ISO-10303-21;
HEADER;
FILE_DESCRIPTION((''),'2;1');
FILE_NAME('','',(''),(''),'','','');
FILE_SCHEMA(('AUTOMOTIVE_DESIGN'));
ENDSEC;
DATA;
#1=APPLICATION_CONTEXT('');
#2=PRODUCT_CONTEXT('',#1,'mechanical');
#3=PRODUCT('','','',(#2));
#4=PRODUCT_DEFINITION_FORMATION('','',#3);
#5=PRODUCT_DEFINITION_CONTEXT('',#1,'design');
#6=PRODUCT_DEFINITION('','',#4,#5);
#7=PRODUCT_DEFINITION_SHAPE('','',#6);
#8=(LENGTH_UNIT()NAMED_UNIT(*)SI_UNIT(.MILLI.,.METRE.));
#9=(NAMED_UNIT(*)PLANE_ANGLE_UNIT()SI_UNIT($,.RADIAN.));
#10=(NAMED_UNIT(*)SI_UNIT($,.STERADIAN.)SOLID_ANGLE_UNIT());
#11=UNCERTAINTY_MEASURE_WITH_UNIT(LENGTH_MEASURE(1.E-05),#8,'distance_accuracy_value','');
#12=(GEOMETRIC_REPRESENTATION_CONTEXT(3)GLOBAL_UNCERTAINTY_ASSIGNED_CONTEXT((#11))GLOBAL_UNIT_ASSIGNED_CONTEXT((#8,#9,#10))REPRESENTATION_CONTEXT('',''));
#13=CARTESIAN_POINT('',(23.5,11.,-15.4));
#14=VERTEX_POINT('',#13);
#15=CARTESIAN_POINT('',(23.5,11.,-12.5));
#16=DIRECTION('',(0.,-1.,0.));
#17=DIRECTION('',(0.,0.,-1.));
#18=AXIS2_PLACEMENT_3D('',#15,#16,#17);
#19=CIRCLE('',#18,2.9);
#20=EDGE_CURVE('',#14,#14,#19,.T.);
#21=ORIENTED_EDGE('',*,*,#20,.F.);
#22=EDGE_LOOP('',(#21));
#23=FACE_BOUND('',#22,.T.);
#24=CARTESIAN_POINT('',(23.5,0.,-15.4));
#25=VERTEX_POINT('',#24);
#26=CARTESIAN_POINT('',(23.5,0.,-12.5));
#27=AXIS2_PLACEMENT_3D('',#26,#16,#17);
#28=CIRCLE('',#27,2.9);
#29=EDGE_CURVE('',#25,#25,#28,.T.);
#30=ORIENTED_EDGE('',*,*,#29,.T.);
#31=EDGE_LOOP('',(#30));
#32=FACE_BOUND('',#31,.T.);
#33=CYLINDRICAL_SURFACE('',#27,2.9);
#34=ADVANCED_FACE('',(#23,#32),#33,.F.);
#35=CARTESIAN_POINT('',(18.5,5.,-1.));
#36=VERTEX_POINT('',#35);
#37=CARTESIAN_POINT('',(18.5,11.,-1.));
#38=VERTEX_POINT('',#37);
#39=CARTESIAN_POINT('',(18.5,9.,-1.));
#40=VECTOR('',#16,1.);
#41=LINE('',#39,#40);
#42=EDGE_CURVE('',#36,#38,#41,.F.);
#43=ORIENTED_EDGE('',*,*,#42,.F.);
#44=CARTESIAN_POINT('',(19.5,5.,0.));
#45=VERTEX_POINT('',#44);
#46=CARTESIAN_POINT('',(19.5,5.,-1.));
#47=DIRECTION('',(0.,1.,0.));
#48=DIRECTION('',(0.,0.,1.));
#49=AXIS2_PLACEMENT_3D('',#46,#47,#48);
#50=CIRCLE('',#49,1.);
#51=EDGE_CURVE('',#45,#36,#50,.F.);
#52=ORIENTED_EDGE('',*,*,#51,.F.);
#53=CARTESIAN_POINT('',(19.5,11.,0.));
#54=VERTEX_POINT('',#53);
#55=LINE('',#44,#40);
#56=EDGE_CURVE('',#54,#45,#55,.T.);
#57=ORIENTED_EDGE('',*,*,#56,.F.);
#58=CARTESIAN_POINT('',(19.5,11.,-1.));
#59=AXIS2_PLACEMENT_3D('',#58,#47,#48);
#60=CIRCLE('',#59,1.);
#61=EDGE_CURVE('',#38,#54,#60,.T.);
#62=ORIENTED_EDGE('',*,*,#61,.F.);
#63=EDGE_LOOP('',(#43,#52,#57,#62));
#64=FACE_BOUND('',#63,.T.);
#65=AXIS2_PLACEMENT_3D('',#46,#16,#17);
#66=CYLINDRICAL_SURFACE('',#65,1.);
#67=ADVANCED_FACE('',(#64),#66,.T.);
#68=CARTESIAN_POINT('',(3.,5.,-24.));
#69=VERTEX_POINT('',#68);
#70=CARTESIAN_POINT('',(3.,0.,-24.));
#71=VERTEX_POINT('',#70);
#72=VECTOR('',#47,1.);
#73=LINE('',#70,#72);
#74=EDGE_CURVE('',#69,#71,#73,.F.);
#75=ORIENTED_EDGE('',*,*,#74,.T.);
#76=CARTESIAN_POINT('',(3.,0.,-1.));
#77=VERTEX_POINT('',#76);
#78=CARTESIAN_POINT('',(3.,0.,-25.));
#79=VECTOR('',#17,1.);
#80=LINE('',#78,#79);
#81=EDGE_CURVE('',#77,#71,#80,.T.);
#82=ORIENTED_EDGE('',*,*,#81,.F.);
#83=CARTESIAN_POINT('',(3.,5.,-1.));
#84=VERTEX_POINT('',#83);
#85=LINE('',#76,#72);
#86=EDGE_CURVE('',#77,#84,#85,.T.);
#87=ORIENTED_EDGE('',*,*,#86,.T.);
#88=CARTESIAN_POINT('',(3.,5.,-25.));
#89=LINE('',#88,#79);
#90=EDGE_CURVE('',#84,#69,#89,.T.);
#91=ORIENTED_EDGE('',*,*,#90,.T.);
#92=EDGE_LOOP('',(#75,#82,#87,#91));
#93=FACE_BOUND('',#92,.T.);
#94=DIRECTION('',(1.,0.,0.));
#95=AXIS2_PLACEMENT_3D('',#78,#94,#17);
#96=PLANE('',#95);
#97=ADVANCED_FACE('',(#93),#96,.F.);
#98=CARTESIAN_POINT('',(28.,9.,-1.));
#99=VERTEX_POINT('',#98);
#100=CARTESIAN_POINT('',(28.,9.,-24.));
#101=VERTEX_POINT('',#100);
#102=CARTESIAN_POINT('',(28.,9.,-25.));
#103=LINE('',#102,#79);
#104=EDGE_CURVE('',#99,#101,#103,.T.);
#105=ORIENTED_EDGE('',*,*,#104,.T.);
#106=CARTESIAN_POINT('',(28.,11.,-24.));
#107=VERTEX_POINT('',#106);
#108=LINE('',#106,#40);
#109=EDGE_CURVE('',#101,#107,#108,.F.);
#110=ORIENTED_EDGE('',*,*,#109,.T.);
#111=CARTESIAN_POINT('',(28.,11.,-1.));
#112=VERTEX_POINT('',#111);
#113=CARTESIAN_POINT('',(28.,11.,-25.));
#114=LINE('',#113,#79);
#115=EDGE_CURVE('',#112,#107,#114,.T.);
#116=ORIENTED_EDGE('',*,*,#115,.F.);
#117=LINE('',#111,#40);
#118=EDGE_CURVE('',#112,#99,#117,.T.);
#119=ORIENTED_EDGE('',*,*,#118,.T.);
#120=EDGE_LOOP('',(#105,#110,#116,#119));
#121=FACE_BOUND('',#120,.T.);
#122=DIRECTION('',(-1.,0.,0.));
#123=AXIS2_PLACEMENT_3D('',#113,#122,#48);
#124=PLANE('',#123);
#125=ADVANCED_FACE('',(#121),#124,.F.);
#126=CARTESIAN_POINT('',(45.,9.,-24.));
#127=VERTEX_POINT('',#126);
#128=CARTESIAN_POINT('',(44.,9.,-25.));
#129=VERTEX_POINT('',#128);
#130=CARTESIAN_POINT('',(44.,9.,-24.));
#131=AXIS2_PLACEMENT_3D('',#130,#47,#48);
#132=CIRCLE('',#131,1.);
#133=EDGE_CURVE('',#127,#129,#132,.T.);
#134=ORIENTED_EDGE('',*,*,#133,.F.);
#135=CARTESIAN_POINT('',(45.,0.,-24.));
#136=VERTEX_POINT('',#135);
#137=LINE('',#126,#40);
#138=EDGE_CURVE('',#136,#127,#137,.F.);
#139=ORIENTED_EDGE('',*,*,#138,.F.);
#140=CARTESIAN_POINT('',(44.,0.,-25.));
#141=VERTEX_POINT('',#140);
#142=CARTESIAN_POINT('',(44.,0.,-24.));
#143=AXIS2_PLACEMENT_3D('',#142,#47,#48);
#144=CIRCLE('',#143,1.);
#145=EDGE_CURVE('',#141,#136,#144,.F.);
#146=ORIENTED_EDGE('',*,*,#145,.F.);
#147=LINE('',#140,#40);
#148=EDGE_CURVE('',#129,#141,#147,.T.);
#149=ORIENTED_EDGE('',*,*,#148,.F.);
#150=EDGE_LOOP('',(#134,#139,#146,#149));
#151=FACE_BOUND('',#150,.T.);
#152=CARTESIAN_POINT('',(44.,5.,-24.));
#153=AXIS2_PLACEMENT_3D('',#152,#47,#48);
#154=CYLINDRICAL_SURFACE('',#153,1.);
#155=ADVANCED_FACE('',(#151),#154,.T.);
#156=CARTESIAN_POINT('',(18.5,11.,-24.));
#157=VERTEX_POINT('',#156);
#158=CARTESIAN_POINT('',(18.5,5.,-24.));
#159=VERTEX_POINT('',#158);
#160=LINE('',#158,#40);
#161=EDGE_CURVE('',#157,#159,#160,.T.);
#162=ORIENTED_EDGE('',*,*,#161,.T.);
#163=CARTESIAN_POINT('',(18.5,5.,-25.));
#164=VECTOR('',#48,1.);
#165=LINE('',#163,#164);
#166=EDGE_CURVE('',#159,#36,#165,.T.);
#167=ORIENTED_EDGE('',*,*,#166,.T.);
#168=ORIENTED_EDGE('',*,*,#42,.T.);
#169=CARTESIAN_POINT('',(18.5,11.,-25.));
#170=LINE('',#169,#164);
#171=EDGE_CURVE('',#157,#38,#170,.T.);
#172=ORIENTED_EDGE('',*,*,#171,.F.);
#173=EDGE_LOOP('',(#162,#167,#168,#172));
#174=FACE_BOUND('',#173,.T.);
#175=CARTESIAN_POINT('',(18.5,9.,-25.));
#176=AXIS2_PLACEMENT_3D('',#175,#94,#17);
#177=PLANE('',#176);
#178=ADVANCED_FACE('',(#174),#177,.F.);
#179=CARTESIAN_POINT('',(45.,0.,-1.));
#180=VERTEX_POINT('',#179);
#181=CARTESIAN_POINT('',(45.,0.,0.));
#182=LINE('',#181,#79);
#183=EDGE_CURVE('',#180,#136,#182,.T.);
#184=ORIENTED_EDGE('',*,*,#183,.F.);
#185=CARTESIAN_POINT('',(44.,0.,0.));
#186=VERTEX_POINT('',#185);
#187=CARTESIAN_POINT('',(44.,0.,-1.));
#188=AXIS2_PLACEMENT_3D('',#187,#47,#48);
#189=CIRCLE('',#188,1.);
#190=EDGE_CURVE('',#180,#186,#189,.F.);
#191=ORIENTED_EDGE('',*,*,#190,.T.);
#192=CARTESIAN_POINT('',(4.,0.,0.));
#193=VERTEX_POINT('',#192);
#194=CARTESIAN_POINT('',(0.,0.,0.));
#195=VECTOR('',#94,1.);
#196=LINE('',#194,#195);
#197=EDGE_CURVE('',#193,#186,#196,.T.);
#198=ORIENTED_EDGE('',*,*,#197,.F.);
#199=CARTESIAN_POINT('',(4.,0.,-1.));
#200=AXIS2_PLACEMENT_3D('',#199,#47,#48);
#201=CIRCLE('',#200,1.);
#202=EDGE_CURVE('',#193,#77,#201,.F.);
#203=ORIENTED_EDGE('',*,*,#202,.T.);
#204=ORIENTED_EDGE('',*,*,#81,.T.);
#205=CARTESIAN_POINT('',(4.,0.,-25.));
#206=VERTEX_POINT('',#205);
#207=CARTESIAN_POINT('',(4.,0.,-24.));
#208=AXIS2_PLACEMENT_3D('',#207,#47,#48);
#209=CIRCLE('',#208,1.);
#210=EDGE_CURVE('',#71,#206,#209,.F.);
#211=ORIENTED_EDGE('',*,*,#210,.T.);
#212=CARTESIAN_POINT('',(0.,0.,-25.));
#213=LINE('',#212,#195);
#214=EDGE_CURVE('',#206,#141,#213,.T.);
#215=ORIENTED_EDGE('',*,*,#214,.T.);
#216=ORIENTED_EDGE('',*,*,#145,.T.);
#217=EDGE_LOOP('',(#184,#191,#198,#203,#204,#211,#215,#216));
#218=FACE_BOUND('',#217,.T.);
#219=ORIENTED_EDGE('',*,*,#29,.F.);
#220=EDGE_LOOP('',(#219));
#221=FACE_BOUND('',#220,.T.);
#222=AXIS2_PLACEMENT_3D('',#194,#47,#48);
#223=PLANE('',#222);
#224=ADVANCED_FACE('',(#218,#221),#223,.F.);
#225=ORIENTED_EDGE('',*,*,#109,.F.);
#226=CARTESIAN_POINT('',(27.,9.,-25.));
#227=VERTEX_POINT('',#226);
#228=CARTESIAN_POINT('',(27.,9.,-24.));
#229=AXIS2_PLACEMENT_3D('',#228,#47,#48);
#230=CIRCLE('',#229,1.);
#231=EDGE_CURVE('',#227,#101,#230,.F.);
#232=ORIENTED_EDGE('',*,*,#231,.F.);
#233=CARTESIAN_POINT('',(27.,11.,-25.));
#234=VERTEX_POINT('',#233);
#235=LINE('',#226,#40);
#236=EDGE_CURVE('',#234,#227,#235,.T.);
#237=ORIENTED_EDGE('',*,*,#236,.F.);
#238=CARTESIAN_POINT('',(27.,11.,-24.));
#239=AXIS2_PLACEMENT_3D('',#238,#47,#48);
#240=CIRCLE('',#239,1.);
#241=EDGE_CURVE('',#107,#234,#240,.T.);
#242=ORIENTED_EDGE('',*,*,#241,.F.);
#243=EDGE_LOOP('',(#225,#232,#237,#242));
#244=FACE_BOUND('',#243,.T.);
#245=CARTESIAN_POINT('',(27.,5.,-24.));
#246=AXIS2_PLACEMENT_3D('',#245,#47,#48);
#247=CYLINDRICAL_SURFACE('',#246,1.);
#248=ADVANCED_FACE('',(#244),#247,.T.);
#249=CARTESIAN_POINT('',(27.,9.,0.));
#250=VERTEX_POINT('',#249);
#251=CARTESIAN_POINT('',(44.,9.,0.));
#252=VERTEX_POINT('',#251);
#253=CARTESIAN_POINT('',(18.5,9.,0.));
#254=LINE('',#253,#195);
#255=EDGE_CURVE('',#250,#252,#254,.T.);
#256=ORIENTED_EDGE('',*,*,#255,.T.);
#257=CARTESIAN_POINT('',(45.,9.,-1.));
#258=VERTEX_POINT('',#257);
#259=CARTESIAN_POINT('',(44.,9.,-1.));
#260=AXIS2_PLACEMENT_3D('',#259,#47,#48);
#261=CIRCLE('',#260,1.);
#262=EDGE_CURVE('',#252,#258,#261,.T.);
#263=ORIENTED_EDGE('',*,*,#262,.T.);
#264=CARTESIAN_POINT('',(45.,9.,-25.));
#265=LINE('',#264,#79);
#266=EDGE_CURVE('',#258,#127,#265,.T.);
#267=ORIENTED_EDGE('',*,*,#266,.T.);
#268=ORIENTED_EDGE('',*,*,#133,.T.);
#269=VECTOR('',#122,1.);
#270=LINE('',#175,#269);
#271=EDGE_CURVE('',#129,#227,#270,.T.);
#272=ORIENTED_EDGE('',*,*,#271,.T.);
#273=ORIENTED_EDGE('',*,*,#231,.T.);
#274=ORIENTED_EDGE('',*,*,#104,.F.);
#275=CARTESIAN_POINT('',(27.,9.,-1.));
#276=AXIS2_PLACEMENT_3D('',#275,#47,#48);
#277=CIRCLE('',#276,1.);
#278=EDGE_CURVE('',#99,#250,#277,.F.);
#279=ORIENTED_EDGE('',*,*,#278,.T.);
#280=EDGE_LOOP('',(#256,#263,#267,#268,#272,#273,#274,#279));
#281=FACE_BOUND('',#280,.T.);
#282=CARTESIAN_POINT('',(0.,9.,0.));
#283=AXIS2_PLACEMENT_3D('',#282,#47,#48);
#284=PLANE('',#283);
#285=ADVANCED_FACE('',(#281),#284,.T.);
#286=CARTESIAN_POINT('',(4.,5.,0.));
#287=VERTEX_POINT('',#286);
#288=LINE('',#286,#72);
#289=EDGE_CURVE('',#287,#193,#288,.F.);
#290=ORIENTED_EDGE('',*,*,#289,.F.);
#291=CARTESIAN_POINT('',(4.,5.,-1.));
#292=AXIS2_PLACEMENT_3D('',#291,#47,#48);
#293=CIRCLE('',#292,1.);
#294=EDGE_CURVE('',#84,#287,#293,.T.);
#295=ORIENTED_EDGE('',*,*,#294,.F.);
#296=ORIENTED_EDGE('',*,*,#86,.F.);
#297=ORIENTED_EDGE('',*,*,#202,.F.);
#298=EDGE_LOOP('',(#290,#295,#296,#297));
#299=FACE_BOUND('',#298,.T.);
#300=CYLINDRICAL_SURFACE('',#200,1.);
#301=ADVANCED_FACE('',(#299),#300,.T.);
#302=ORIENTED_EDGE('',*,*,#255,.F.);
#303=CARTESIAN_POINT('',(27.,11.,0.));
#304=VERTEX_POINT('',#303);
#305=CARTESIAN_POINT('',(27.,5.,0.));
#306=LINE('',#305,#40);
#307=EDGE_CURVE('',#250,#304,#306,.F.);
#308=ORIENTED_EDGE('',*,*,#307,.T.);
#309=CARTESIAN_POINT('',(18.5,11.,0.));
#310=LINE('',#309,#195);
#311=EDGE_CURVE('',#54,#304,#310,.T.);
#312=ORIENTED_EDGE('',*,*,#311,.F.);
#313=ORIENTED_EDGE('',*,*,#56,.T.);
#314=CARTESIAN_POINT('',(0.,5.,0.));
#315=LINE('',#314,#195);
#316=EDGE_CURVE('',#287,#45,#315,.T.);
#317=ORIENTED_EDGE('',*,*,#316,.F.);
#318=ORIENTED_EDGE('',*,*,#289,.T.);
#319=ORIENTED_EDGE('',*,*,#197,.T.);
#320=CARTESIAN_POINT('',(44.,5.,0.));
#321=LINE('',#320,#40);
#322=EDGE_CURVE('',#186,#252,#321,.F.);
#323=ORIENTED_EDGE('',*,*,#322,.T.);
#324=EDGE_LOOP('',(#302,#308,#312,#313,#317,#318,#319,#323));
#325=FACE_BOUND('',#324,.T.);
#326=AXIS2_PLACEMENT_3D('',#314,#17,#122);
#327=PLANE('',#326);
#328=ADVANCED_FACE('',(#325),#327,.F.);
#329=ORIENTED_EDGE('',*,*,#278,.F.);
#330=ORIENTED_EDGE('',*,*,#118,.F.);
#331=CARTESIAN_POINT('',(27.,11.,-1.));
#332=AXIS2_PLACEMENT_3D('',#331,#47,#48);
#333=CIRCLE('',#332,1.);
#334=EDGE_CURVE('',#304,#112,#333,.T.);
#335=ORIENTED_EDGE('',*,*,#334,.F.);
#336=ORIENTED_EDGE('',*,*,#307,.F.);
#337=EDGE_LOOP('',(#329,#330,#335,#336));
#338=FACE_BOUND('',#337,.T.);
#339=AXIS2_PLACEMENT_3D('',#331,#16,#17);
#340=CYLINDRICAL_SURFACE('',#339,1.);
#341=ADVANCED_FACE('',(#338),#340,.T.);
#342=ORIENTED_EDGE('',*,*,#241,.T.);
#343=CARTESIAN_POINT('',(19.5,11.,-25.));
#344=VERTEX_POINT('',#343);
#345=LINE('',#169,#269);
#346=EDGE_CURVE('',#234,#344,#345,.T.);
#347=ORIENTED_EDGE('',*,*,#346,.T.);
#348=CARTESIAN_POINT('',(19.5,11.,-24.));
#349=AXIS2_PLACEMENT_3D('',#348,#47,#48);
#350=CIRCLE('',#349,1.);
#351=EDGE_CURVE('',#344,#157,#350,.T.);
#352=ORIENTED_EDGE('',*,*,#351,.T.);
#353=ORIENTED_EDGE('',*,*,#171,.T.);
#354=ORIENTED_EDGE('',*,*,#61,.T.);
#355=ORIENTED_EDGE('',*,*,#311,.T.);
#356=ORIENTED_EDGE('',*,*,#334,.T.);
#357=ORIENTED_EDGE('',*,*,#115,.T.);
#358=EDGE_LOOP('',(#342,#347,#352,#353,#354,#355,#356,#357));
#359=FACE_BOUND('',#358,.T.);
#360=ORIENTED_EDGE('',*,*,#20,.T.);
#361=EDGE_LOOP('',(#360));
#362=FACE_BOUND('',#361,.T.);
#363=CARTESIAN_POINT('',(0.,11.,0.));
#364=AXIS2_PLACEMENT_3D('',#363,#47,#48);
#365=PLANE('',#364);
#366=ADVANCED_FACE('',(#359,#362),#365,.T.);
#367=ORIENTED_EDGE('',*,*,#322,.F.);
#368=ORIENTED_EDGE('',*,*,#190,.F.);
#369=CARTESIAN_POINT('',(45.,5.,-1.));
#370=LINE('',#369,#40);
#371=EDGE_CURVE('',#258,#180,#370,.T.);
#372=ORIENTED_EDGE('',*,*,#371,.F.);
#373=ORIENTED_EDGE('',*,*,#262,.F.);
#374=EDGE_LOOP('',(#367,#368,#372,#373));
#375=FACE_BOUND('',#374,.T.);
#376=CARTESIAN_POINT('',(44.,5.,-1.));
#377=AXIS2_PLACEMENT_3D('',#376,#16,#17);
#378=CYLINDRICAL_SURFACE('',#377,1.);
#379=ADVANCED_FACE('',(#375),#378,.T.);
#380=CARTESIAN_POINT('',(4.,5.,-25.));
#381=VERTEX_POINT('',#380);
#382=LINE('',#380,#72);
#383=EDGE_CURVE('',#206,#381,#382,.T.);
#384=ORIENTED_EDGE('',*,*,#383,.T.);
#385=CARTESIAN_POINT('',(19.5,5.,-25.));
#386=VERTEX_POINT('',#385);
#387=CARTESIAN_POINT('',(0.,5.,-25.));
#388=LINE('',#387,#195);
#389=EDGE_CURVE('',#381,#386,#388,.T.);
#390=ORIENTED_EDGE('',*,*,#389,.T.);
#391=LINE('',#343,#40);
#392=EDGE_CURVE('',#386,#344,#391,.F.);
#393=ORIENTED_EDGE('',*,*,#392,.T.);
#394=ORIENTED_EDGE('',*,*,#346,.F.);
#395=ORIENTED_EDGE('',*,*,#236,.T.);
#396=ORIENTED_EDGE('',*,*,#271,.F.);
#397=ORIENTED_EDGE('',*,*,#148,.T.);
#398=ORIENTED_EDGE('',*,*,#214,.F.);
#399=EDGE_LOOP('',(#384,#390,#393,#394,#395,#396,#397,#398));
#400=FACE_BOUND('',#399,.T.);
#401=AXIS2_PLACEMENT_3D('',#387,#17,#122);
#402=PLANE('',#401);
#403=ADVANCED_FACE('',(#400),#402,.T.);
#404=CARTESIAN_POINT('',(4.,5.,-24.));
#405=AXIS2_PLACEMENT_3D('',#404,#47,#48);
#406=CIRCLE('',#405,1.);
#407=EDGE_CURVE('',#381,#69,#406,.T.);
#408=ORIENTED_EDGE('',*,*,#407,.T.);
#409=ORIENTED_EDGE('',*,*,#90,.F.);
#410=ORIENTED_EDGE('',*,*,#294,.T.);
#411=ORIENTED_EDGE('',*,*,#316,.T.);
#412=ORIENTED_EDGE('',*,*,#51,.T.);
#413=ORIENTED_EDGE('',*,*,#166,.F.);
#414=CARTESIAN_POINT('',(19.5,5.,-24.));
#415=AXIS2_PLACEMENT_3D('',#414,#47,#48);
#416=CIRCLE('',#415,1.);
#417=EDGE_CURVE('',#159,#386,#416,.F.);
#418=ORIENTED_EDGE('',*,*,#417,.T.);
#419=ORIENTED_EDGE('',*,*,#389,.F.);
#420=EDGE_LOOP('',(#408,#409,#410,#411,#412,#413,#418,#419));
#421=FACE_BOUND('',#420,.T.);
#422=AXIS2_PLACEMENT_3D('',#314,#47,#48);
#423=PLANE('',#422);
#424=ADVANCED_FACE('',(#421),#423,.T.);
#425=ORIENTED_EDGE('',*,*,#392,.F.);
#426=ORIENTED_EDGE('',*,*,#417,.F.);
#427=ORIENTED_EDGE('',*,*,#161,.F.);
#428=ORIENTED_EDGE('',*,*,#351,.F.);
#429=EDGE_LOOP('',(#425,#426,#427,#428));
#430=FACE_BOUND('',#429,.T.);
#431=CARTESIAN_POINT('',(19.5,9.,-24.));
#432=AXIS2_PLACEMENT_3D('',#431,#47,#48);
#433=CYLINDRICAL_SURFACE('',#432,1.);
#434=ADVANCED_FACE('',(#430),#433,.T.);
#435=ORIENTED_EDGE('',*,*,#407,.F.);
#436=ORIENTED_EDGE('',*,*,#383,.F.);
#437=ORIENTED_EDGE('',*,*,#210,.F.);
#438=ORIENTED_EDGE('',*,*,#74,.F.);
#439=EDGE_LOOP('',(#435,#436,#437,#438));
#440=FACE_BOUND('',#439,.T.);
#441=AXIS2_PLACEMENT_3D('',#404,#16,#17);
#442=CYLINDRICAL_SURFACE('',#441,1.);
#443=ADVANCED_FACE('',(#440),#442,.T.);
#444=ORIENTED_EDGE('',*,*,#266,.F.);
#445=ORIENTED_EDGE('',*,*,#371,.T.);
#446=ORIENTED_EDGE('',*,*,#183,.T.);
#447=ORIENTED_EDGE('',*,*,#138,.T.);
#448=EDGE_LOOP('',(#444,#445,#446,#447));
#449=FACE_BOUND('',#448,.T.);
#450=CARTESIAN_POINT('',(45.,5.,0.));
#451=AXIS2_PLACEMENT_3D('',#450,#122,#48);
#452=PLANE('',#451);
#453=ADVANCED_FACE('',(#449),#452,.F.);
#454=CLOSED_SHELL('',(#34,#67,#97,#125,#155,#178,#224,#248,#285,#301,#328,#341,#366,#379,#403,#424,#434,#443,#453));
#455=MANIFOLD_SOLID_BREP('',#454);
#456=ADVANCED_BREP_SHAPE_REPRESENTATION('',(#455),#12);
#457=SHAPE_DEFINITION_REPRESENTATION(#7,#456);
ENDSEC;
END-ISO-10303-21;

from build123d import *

# Parameters (mm, degrees)
SKETCH1_W            = 45
SKETCH1_H            = 25
BOSS_EXTRUDE1_DEPTH  = 5
SKETCH5_W            = 26.5
SKETCH5_H            = 25
BOSS_EXTRUDE3_DEPTH  = 4
SKETCH11_W           = 9.5
SKETCH11_H           = 25
BOSS_EXTRUDE5_DEPTH  = 2
SKETCH12_W           = 3
SKETCH12_H           = 25
CUT_EXTRUDE2_DEPTH   = 52.826634079
M5_CLEARANCE_HOLE1_D = 5.8
FILLET2_R            = 1


with BuildPart() as part:
    # Sketch1 → Boss-Extrude1 (new body)
    with BuildSketch(Plane(origin=(0, 0, 0), x_dir=(1, 0, 0), z_dir=(0, 1, 0))):
        with Locations((22.5, 12.5)):
            Rectangle(SKETCH1_W, SKETCH1_H)
    extrude(amount=BOSS_EXTRUDE1_DEPTH)

    # Sketch5 → Boss-Extrude3 (add)
    with BuildSketch(Plane(origin=(0, 5, 0), x_dir=(1, 0, 0), z_dir=(0, 1, 0))):
        with Locations((31.75, 12.5)):
            Rectangle(SKETCH5_W, SKETCH5_H)
    extrude(amount=BOSS_EXTRUDE3_DEPTH)

    # Sketch11 → Boss-Extrude5 (add)
    with BuildSketch(Plane(origin=(0, 9, 0), x_dir=(1, 0, 0), z_dir=(0, 1, 0))):
        with Locations((23.25, 12.5)):
            Rectangle(SKETCH11_W, SKETCH11_H)
    extrude(amount=BOSS_EXTRUDE5_DEPTH)

    # Sketch12 → Cut-Extrude2 (cut, through all)
    with BuildSketch(Plane(origin=(0, 5, 0), x_dir=(1, 0, 0), z_dir=(0, 1, 0))):
        with Locations((1.5, 12.5)):
            Rectangle(SKETCH12_W, SKETCH12_H)
    extrude(amount=-CUT_EXTRUDE2_DEPTH, mode=Mode.SUBTRACT)

    # M5 Clearance Hole1 (through all)
    with Locations(Plane(origin=(0, 0, 0), x_dir=(-1, 0, 0), z_dir=(0, -1, 0))):
        with Locations((-23.5, 12.5)):
            Hole(M5_CLEARANCE_HOLE1_D / 2)

    # Fillet2
    fillet2_edges = [part.edges().sort_by_distance(p)[0] for p in [
        (18.5, 8, -25),
        (18.5, 8, 0),
        (28, 10, 0),
        (28, 10, -25),
        (3, 2.5, -25),
        (3, 2.5, 0),
        (45, 4.5, -25),
        (45, 4.5, 0),
    ]]
    fillet(fillet2_edges, radius=FILLET2_R)


solid = part.part
